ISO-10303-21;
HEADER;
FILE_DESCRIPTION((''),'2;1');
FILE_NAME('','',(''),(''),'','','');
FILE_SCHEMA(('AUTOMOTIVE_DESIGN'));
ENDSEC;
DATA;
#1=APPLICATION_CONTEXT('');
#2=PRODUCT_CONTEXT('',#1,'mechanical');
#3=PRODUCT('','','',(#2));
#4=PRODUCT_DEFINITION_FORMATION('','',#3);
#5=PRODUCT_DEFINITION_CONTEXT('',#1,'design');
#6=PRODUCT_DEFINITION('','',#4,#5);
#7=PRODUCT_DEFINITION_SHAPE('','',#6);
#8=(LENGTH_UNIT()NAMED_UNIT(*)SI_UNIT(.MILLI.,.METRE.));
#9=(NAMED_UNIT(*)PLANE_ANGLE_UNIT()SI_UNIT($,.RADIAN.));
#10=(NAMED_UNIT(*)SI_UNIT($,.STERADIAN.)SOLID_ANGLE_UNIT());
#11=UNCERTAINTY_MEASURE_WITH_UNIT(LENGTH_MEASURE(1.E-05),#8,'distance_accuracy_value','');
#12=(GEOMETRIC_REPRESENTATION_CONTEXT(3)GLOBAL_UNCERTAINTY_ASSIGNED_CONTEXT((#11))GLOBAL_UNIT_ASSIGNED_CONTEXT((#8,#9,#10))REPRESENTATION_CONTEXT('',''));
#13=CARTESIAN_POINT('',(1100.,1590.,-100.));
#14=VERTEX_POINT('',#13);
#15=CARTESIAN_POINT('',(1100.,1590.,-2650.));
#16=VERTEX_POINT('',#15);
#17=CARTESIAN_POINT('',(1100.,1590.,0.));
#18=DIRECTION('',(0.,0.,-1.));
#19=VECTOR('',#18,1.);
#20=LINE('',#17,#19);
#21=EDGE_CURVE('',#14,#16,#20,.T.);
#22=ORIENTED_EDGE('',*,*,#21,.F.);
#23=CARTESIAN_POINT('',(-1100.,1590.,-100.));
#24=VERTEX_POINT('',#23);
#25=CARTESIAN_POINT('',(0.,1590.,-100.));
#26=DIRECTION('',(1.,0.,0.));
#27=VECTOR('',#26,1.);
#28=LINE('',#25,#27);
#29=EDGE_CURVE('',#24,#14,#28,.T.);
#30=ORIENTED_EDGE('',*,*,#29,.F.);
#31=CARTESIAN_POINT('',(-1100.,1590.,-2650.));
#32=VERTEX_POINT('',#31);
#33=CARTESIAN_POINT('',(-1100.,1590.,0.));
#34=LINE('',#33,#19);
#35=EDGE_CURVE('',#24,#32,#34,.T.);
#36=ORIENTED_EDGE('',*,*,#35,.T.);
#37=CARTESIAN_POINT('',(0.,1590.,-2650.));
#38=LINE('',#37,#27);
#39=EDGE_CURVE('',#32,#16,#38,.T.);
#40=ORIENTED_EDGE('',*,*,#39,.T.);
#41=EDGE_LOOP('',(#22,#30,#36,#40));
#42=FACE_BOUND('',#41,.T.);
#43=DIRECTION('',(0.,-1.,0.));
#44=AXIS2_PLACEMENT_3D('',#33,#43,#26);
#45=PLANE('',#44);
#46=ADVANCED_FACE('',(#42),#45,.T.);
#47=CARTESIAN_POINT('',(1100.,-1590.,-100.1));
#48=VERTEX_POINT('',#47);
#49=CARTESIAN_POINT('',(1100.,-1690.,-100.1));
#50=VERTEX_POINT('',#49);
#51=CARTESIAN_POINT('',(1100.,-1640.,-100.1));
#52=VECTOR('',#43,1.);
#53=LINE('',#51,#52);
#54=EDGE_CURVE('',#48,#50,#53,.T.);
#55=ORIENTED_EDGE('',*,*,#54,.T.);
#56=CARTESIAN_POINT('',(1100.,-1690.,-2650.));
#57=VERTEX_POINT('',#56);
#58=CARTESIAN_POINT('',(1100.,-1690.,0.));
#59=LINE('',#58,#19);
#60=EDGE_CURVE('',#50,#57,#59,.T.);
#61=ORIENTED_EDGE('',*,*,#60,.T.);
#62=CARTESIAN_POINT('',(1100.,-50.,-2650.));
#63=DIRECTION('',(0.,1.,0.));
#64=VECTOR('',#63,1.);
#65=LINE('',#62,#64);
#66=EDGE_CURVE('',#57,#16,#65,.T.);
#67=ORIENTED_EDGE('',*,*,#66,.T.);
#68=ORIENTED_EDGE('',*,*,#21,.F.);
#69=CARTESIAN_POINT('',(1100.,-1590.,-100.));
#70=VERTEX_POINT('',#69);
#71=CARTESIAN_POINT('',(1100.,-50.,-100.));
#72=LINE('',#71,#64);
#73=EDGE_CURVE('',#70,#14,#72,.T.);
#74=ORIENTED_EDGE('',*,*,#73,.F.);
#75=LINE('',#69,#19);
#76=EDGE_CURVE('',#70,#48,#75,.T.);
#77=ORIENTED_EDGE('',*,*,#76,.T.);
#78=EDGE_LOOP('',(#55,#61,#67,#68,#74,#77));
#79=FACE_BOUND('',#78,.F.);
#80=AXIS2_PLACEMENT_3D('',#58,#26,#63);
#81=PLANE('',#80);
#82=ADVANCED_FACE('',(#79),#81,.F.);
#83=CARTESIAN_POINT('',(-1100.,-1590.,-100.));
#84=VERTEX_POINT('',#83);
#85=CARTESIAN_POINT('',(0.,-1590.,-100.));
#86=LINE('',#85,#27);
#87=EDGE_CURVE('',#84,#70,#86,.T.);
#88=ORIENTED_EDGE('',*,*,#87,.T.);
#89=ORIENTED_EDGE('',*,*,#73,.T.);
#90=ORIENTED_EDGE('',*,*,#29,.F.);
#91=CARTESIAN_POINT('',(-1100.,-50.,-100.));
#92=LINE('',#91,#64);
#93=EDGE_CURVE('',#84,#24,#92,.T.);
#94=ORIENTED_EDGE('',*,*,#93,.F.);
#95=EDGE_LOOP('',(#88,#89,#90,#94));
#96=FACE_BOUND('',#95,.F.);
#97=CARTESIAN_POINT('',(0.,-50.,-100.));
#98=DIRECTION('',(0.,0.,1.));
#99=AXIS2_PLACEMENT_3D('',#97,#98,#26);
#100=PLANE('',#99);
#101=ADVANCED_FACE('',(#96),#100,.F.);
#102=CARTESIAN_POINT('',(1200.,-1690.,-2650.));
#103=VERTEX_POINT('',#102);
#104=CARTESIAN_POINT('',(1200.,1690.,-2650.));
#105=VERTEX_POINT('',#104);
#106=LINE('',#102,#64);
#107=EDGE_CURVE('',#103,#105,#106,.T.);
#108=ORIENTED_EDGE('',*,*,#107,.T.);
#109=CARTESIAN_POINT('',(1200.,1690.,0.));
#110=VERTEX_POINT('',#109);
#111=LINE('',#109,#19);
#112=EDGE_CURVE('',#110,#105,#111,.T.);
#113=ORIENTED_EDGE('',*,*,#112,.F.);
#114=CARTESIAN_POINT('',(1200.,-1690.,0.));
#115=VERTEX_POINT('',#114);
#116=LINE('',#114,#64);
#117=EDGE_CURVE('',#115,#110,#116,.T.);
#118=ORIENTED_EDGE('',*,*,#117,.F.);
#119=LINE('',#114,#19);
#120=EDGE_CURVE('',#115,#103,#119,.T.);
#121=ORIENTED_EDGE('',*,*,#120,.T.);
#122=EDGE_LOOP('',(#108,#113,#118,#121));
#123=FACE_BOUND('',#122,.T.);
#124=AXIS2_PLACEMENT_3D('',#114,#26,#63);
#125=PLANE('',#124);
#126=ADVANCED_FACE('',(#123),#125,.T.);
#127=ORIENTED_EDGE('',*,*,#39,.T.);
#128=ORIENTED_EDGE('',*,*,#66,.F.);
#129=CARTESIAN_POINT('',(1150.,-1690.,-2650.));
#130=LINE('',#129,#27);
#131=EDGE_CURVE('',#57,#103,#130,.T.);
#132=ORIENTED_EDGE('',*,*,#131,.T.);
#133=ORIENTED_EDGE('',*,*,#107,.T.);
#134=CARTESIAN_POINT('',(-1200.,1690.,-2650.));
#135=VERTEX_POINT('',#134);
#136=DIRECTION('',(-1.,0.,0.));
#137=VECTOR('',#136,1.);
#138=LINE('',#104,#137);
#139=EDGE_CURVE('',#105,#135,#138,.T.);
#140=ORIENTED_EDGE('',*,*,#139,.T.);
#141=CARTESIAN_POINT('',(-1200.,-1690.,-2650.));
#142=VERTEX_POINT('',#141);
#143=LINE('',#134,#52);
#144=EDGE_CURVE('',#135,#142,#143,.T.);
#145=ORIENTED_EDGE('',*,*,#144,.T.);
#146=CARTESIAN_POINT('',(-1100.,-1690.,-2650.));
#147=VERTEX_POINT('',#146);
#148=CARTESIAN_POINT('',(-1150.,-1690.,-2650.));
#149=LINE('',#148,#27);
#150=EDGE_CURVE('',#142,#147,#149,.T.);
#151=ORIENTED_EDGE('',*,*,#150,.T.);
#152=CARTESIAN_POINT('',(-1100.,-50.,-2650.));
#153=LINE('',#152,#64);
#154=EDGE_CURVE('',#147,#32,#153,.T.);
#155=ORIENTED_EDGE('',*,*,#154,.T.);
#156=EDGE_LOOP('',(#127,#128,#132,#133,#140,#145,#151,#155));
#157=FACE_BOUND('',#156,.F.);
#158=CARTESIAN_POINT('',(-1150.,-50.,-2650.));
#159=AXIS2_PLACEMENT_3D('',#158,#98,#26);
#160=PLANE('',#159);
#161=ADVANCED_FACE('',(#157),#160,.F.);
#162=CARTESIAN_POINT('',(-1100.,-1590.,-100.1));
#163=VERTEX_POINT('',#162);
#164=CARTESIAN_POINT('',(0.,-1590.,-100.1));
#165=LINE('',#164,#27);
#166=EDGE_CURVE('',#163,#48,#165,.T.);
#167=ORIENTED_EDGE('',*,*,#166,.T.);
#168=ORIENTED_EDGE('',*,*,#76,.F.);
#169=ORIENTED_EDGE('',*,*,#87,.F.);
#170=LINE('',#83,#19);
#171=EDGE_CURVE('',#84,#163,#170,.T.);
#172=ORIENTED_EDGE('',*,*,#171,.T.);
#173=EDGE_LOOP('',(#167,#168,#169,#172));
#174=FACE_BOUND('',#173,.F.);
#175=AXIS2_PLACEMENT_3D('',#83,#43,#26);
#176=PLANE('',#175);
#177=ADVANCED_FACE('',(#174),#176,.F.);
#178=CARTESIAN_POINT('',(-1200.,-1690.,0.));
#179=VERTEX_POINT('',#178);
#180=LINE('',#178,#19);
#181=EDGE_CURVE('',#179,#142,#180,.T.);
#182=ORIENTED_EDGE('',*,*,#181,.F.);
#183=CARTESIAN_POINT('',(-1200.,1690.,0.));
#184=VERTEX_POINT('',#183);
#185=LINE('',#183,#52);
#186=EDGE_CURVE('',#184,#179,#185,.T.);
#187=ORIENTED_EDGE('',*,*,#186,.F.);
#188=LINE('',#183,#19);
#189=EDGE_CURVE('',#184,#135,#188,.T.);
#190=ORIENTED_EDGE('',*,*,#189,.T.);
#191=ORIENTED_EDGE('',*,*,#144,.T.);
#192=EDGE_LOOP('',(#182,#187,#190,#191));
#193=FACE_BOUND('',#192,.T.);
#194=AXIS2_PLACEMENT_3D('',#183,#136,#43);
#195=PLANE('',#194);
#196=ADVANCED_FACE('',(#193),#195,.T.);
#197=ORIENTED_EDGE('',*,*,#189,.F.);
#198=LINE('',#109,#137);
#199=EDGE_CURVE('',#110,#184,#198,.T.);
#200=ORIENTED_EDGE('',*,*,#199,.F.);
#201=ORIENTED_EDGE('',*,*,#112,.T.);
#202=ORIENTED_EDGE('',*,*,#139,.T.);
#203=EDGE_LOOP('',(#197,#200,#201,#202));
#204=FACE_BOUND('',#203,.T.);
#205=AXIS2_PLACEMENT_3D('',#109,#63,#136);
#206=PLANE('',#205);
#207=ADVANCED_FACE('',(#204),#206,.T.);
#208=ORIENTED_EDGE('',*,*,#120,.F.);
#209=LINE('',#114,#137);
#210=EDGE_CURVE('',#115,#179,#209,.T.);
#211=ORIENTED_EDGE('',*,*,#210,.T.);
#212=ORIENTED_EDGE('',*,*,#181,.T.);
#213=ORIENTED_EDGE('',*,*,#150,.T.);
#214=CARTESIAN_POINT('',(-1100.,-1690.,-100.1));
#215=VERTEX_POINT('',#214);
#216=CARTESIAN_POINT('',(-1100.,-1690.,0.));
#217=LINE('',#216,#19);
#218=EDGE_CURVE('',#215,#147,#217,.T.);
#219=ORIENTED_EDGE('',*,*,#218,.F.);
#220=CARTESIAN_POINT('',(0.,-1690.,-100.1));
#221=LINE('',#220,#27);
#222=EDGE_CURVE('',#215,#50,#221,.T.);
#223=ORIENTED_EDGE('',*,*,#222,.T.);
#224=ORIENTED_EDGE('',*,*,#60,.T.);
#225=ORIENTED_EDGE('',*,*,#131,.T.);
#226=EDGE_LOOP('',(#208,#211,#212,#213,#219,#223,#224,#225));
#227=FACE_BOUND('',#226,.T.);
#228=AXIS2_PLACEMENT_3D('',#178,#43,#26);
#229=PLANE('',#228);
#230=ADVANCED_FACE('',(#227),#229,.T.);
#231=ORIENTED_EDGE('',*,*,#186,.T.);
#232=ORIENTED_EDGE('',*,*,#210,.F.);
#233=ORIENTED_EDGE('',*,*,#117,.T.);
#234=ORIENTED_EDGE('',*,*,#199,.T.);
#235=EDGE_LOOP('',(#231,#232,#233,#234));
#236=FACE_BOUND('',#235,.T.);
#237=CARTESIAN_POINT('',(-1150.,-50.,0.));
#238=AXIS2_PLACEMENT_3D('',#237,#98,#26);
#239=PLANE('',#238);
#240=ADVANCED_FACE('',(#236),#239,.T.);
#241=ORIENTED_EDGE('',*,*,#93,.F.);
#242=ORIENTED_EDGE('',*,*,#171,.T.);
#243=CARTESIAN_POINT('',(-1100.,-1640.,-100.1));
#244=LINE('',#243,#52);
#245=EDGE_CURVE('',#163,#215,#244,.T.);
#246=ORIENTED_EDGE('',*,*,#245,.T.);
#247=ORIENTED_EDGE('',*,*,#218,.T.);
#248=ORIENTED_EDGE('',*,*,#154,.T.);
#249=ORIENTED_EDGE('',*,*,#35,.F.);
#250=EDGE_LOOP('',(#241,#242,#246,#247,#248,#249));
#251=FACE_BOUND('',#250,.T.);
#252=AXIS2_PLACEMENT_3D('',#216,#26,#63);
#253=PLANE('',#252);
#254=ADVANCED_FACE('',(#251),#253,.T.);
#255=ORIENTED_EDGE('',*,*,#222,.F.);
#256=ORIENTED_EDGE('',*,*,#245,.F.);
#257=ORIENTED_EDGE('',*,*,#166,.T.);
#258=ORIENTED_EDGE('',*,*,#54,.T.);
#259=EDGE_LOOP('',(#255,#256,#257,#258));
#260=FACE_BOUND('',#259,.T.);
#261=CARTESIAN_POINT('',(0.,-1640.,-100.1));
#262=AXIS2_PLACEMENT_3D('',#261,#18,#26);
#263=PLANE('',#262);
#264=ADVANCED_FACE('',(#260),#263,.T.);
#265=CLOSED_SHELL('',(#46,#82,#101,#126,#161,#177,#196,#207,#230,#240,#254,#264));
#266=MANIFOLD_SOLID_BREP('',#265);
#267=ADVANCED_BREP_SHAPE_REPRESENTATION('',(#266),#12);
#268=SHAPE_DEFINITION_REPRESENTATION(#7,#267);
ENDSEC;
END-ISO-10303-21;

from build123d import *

# Parameters (mm, degrees)
F0_W     = 2200
F0_H     = 3280
F1_DEPTH = 100
F0_W_2   = 100
F0_H_2   = 100
F2_DEPTH = 2650
F3_W     = 2200
F3_H     = 100
F4_DEPTH = 0.1


with BuildPart() as f1:
    # F0 (on Top) → F1 (new body)
    with BuildSketch(Plane.XY):
        with Locations((0, -50)):
            Rectangle(F0_W, F0_H)
    extrude(amount=-F1_DEPTH)

    # F0 (on Top) → F2 (join)
    with BuildSketch(Plane.XY):
        with Locations((-1150, -50)):
            Rectangle(F0_W_2, F0_H)
        with Locations((0, 1640)):
            Rectangle(F0_W, F0_H_2)
        with Locations((1150, -50)):
            Rectangle(F0_W_2, F0_H)
        with Locations((1150, 1640)):
            Rectangle(F0_W_2, F0_H_2)
        with Locations((-1150, 1640)):
            Rectangle(F0_W_2, F0_H_2)
    extrude(amount=-F2_DEPTH)

    # F3 (on face) → F4 (join)
    with BuildSketch(Plane(origin=(0, 0, -100), x_dir=(1, 0, 0), z_dir=(0, 0, -1))):
        with Locations((0, 1640)):
            Rectangle(F3_W, F3_H)
    extrude(amount=F4_DEPTH)


solid = f1.part
